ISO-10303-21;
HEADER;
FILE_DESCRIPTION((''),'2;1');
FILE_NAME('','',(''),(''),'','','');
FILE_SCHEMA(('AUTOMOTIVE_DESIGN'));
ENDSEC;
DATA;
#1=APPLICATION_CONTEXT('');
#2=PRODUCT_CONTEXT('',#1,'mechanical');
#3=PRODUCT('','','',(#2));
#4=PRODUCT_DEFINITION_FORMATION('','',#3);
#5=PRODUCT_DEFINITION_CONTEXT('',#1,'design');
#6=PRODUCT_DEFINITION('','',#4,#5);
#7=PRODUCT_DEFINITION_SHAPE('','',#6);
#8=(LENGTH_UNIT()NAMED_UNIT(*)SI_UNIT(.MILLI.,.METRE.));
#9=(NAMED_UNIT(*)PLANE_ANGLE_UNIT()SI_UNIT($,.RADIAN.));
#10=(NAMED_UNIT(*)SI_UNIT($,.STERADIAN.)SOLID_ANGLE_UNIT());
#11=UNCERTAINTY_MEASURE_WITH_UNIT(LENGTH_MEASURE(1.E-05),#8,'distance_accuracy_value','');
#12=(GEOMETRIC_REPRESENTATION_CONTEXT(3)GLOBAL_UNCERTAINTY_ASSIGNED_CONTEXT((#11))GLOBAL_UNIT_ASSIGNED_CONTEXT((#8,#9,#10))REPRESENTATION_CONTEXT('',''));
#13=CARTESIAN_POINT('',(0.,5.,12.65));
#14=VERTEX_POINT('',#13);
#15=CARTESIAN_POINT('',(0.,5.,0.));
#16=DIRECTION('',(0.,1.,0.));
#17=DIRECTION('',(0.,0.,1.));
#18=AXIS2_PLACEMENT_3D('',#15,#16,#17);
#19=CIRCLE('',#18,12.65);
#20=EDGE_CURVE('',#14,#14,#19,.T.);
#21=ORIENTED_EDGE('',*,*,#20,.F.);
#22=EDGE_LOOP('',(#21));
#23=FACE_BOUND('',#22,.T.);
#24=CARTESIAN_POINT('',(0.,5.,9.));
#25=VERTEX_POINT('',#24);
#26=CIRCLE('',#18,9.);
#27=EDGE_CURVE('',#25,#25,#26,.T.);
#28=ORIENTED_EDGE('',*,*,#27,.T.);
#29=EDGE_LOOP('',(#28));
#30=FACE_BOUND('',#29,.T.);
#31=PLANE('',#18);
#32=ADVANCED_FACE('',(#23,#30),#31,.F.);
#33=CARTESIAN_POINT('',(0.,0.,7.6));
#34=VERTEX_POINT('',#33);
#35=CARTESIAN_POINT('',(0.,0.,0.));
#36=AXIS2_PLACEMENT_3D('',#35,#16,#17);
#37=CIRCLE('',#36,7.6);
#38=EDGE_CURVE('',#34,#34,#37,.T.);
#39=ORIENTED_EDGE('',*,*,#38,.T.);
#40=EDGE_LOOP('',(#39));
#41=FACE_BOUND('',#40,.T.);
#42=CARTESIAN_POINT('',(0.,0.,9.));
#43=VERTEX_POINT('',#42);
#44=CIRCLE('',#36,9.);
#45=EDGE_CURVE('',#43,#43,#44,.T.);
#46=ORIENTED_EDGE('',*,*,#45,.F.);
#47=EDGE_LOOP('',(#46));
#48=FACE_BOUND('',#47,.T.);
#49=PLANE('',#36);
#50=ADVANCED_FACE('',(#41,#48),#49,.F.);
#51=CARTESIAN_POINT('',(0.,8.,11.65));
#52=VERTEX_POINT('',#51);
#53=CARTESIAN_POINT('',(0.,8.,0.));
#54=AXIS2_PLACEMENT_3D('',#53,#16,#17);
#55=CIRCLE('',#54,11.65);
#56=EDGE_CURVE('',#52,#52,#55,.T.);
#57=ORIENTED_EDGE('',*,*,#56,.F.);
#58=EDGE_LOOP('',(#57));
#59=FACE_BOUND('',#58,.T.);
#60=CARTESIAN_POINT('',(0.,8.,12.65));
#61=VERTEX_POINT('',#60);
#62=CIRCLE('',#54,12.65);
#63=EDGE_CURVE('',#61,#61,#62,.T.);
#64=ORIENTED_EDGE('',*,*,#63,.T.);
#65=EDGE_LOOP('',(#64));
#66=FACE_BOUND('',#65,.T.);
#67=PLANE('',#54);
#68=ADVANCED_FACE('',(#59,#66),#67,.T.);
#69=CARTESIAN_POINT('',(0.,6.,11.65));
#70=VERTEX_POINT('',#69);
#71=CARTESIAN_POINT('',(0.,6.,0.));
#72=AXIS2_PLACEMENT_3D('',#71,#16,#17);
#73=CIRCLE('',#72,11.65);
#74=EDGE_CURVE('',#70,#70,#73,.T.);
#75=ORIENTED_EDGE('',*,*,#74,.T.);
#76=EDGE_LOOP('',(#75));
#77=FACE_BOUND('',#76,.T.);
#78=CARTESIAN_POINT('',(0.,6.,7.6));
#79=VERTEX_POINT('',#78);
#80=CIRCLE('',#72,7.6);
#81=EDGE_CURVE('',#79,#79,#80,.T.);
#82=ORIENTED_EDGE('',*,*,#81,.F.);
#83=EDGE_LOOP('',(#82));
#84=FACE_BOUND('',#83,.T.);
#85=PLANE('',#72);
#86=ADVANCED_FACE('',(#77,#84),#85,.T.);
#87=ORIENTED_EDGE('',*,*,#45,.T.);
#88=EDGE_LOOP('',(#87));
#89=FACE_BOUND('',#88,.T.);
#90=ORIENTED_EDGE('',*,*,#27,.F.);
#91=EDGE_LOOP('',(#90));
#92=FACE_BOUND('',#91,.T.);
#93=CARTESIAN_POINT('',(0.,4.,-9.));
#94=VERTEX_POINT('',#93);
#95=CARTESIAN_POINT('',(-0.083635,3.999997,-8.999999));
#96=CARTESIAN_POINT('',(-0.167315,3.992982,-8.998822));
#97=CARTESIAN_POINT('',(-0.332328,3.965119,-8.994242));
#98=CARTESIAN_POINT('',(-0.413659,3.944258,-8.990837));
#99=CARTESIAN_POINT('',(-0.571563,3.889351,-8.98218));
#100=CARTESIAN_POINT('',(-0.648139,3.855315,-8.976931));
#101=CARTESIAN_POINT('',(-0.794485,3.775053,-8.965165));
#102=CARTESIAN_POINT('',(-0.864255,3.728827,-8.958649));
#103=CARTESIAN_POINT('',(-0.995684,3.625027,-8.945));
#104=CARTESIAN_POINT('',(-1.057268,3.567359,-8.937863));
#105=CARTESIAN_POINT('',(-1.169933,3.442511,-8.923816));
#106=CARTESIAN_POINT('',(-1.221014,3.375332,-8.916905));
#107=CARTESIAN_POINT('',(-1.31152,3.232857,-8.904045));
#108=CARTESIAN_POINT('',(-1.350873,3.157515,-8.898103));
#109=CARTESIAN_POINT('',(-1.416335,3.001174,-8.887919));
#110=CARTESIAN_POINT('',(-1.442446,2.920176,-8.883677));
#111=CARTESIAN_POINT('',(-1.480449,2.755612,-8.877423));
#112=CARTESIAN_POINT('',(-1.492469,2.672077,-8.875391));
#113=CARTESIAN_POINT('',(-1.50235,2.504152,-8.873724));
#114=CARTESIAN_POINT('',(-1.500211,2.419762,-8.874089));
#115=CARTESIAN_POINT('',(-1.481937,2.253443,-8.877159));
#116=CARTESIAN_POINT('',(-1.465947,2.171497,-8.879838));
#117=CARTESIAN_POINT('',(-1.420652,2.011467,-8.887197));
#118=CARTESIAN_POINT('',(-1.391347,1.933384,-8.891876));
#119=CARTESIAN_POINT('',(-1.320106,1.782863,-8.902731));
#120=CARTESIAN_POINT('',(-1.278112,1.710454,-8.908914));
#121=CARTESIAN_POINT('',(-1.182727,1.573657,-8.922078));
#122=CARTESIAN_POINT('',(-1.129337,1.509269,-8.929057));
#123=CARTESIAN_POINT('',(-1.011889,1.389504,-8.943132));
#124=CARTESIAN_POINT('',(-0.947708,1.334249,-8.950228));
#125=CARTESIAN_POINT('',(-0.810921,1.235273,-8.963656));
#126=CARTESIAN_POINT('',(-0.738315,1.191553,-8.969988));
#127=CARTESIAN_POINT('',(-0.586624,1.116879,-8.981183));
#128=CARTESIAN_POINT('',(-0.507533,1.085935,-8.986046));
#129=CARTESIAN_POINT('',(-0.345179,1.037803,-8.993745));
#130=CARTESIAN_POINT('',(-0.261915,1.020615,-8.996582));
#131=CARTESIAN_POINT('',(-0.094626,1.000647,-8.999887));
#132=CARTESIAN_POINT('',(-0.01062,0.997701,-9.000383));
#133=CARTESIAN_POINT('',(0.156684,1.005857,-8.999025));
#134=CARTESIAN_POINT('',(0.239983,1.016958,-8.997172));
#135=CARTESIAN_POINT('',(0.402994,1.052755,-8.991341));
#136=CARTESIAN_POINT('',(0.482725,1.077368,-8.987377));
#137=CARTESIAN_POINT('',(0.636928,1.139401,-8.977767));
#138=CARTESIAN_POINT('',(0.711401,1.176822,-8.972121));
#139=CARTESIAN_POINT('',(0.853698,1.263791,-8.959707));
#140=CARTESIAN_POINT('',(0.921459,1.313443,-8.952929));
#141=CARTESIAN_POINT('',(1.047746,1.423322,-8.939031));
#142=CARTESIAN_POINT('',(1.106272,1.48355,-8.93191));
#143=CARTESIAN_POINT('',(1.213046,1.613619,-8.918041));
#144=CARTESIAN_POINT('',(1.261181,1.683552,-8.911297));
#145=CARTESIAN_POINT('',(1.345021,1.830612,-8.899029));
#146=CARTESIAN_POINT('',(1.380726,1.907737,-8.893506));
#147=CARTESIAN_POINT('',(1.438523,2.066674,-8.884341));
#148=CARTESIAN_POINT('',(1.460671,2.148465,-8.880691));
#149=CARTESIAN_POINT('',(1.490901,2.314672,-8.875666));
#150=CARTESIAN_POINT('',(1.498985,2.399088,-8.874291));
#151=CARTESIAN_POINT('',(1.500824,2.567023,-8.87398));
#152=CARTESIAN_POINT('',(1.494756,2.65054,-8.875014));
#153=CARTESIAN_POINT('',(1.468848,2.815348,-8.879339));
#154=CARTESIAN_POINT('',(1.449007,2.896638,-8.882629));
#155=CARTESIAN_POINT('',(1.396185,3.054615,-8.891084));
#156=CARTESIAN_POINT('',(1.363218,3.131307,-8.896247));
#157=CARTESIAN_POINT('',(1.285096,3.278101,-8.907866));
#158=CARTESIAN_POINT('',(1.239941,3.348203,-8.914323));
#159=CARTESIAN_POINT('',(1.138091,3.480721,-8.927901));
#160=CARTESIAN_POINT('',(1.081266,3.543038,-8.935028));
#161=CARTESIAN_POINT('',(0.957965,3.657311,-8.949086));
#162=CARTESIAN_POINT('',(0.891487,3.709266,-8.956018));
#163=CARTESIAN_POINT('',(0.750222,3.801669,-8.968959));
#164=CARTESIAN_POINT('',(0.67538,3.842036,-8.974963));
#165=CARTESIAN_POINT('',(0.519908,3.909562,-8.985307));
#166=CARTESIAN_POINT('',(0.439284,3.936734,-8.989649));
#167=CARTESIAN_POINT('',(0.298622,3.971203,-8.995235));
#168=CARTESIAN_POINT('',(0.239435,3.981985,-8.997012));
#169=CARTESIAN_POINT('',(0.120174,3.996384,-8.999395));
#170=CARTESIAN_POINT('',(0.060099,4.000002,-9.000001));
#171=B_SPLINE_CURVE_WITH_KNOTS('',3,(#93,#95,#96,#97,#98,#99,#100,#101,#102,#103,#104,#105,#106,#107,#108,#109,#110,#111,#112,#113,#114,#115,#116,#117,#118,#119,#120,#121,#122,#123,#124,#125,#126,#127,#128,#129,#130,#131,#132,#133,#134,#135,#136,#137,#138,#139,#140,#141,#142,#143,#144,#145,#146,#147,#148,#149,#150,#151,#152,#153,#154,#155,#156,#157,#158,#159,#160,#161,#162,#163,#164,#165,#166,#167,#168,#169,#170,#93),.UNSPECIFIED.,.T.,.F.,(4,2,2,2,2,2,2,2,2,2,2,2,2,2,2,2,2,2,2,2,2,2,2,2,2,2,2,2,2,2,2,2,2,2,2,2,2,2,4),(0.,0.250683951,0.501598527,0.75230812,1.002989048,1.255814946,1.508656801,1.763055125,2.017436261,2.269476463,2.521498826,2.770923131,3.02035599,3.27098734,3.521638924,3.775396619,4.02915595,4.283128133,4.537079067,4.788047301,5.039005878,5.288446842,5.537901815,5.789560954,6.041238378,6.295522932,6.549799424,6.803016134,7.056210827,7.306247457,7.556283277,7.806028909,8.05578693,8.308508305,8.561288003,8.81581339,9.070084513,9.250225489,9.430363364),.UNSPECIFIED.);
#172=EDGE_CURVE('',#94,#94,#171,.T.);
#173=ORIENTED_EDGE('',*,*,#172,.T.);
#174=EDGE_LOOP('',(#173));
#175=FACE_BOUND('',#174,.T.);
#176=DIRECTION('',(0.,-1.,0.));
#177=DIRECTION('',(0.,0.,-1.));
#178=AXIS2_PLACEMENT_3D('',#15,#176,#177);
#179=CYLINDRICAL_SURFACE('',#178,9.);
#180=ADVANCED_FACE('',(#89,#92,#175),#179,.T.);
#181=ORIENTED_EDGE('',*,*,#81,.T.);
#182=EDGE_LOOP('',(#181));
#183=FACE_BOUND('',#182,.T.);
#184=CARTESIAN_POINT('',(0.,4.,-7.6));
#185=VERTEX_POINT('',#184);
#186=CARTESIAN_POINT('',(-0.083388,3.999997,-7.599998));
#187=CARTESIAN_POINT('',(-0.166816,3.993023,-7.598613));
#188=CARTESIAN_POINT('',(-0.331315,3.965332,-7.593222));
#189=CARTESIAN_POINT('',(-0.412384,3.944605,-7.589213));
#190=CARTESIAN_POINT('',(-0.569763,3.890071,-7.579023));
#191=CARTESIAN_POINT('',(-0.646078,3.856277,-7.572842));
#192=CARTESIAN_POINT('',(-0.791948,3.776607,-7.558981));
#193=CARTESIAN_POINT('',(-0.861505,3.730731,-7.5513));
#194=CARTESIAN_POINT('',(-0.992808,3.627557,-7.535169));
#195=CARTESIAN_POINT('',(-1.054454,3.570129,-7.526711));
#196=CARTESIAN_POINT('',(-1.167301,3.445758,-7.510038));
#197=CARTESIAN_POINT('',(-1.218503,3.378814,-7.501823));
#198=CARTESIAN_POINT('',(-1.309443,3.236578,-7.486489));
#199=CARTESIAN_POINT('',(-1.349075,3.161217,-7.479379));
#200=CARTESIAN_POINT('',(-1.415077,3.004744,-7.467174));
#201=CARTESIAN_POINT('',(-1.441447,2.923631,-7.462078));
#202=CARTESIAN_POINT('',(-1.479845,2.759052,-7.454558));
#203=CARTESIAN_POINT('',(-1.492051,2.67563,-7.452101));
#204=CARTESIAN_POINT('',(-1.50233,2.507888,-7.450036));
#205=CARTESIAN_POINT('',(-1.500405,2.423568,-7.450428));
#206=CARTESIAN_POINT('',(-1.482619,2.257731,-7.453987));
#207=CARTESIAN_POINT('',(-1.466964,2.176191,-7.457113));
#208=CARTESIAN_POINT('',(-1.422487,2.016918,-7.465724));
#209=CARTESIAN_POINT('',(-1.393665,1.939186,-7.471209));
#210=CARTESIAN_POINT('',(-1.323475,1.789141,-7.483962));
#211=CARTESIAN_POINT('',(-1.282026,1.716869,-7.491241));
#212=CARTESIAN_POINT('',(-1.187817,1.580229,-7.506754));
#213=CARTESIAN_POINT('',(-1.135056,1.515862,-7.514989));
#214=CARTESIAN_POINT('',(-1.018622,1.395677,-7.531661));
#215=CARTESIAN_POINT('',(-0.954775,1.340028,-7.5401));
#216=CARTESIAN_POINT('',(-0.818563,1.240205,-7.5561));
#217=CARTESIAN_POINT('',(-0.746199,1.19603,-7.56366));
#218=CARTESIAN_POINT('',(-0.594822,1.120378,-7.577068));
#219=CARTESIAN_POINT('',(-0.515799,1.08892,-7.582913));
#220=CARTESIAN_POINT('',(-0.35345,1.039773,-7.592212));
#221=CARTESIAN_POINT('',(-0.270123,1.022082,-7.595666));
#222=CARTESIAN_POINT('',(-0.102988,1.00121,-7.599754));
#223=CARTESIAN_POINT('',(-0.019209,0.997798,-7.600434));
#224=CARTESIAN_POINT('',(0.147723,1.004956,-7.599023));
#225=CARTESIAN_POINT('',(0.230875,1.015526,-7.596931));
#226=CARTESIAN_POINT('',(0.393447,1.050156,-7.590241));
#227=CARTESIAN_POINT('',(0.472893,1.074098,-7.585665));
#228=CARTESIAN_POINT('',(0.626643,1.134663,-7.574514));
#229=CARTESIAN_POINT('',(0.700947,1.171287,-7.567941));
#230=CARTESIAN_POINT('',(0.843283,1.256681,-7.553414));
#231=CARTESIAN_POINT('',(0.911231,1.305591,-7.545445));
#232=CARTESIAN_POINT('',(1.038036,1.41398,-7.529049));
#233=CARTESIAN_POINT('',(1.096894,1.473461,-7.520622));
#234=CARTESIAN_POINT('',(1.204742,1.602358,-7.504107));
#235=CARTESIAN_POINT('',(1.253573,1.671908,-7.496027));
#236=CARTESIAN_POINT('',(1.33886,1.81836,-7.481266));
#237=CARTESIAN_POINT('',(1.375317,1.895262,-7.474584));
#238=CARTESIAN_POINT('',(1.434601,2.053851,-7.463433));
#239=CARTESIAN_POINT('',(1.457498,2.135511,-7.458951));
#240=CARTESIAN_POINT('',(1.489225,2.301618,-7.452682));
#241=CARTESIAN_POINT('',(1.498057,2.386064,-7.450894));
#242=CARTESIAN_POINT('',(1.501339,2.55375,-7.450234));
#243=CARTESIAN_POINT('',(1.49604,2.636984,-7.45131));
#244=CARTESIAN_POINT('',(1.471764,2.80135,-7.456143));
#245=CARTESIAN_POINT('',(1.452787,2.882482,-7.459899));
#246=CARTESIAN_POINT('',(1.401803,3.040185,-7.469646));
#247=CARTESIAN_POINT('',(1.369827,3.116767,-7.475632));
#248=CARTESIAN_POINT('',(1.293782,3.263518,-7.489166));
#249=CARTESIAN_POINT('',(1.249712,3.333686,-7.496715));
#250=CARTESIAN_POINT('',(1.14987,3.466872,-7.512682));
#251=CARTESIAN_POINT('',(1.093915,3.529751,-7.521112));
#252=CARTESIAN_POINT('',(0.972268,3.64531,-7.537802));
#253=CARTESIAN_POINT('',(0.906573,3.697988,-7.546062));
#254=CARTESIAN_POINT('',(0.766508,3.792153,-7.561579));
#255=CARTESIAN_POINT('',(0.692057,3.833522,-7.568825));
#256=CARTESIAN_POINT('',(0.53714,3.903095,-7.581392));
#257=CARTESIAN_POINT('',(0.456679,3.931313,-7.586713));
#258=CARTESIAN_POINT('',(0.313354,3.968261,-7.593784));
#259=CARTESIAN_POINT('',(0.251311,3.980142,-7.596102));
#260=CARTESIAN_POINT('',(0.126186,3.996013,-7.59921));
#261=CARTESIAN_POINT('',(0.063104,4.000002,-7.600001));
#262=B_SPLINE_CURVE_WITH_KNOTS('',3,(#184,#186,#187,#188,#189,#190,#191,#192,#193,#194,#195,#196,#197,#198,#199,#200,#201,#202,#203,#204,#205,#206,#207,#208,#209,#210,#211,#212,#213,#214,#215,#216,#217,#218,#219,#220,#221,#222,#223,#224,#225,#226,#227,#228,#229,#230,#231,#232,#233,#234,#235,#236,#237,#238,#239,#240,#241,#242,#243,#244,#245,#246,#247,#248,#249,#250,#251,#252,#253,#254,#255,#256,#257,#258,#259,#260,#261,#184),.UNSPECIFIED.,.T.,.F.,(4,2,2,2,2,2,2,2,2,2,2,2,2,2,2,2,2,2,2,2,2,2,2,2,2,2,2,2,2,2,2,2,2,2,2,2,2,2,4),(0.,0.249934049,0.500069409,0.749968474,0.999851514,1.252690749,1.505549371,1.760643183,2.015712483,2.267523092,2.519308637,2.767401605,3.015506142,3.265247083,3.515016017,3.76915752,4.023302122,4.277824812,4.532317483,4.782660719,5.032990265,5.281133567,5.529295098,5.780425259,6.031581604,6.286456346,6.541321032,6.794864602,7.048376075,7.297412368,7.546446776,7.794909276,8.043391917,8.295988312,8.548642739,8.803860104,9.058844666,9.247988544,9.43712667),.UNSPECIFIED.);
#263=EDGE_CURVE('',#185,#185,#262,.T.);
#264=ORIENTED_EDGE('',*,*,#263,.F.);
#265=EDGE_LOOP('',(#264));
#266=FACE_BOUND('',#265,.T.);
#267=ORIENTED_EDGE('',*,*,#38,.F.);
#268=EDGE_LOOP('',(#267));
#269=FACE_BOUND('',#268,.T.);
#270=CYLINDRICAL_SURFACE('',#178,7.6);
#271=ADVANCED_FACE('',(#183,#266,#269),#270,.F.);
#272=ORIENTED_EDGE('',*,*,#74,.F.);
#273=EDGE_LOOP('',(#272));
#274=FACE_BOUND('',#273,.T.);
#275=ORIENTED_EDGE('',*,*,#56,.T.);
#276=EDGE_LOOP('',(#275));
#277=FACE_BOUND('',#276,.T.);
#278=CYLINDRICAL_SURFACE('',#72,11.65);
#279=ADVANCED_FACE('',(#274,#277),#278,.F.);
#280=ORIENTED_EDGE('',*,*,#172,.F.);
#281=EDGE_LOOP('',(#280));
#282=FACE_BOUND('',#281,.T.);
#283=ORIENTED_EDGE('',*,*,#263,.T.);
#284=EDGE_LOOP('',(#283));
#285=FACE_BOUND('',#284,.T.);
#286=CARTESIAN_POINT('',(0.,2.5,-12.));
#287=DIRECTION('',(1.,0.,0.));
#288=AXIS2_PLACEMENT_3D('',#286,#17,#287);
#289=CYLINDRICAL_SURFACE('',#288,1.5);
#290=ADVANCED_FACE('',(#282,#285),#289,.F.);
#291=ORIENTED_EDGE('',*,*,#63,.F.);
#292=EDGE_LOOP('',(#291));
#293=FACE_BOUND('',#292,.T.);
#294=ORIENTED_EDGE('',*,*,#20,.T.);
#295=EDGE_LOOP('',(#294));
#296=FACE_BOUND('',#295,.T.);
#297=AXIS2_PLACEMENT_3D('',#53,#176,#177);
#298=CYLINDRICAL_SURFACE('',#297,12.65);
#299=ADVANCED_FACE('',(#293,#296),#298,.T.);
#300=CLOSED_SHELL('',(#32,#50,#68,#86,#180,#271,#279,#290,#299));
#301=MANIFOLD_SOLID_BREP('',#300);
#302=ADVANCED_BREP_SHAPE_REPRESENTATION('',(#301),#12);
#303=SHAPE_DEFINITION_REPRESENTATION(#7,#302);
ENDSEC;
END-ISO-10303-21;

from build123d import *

# Parameters (mm, degrees)
ESQUISSE1_R             = 9
ESQUISSE1_R_2           = 7.6
BOSS_EXTRU_1_DEPTH      = 5
ESQUISSE2_R             = 12.65
ESQUISSE2_R_2           = 7.6
BOSS_EXTRU_2_DEPTH      = 3
ESQUISSE3_R             = 11.65
ENL_V_MAT_EXTRU_1_DEPTH = 2
ESQUISSE4_R             = 1.5
ENL_V_MAT_EXTRU_2_DEPTH = 12


with BuildPart() as part:
    # Esquisse1 → Boss.-Extru.1 (new body)
    with BuildSketch(Plane(origin=(0, 0, 0), x_dir=(1, 0, 0), z_dir=(0, 1, 0))):
        with Locations(Location((0, 0, 0), (0, 0, 270))):
            Circle(ESQUISSE1_R)
        with Locations(Location((0, 0, 0), (0, 0, 270))):
            Circle(ESQUISSE1_R_2, mode=Mode.SUBTRACT)
    extrude(amount=BOSS_EXTRU_1_DEPTH)

    # Esquisse2 → Boss.-Extru.2 (add)
    with BuildSketch(Plane(origin=(0, 5, 0), x_dir=(1, 0, 0), z_dir=(0, 1, 0))):
        with Locations(Location((0, 0, 0), (0, 0, 270))):
            Circle(ESQUISSE2_R)
        with Locations(Location((0, 0, 0), (0, 0, 270))):
            Circle(ESQUISSE2_R_2, mode=Mode.SUBTRACT)
    extrude(amount=BOSS_EXTRU_2_DEPTH)

    # Esquisse3 → Enlèv. mat.-Extru.1 (cut)
    with BuildSketch(Plane(origin=(0, 8, 0), x_dir=(1, 0, 0), z_dir=(0, 1, 0))):
        with Locations(Location((0, 0, 0), (0, 0, 270))):
            Circle(ESQUISSE3_R)
    extrude(amount=-ENL_V_MAT_EXTRU_1_DEPTH, mode=Mode.SUBTRACT)

    # Esquisse4 → Enlèv. mat.-Extru.2 (cut)
    with BuildSketch(Plane.XY):
        with Locations(Location((0, 2.5, 0), (0, 0, 90))):
            Circle(ESQUISSE4_R)
    extrude(amount=-ENL_V_MAT_EXTRU_2_DEPTH, mode=Mode.SUBTRACT)


solid = part.part
